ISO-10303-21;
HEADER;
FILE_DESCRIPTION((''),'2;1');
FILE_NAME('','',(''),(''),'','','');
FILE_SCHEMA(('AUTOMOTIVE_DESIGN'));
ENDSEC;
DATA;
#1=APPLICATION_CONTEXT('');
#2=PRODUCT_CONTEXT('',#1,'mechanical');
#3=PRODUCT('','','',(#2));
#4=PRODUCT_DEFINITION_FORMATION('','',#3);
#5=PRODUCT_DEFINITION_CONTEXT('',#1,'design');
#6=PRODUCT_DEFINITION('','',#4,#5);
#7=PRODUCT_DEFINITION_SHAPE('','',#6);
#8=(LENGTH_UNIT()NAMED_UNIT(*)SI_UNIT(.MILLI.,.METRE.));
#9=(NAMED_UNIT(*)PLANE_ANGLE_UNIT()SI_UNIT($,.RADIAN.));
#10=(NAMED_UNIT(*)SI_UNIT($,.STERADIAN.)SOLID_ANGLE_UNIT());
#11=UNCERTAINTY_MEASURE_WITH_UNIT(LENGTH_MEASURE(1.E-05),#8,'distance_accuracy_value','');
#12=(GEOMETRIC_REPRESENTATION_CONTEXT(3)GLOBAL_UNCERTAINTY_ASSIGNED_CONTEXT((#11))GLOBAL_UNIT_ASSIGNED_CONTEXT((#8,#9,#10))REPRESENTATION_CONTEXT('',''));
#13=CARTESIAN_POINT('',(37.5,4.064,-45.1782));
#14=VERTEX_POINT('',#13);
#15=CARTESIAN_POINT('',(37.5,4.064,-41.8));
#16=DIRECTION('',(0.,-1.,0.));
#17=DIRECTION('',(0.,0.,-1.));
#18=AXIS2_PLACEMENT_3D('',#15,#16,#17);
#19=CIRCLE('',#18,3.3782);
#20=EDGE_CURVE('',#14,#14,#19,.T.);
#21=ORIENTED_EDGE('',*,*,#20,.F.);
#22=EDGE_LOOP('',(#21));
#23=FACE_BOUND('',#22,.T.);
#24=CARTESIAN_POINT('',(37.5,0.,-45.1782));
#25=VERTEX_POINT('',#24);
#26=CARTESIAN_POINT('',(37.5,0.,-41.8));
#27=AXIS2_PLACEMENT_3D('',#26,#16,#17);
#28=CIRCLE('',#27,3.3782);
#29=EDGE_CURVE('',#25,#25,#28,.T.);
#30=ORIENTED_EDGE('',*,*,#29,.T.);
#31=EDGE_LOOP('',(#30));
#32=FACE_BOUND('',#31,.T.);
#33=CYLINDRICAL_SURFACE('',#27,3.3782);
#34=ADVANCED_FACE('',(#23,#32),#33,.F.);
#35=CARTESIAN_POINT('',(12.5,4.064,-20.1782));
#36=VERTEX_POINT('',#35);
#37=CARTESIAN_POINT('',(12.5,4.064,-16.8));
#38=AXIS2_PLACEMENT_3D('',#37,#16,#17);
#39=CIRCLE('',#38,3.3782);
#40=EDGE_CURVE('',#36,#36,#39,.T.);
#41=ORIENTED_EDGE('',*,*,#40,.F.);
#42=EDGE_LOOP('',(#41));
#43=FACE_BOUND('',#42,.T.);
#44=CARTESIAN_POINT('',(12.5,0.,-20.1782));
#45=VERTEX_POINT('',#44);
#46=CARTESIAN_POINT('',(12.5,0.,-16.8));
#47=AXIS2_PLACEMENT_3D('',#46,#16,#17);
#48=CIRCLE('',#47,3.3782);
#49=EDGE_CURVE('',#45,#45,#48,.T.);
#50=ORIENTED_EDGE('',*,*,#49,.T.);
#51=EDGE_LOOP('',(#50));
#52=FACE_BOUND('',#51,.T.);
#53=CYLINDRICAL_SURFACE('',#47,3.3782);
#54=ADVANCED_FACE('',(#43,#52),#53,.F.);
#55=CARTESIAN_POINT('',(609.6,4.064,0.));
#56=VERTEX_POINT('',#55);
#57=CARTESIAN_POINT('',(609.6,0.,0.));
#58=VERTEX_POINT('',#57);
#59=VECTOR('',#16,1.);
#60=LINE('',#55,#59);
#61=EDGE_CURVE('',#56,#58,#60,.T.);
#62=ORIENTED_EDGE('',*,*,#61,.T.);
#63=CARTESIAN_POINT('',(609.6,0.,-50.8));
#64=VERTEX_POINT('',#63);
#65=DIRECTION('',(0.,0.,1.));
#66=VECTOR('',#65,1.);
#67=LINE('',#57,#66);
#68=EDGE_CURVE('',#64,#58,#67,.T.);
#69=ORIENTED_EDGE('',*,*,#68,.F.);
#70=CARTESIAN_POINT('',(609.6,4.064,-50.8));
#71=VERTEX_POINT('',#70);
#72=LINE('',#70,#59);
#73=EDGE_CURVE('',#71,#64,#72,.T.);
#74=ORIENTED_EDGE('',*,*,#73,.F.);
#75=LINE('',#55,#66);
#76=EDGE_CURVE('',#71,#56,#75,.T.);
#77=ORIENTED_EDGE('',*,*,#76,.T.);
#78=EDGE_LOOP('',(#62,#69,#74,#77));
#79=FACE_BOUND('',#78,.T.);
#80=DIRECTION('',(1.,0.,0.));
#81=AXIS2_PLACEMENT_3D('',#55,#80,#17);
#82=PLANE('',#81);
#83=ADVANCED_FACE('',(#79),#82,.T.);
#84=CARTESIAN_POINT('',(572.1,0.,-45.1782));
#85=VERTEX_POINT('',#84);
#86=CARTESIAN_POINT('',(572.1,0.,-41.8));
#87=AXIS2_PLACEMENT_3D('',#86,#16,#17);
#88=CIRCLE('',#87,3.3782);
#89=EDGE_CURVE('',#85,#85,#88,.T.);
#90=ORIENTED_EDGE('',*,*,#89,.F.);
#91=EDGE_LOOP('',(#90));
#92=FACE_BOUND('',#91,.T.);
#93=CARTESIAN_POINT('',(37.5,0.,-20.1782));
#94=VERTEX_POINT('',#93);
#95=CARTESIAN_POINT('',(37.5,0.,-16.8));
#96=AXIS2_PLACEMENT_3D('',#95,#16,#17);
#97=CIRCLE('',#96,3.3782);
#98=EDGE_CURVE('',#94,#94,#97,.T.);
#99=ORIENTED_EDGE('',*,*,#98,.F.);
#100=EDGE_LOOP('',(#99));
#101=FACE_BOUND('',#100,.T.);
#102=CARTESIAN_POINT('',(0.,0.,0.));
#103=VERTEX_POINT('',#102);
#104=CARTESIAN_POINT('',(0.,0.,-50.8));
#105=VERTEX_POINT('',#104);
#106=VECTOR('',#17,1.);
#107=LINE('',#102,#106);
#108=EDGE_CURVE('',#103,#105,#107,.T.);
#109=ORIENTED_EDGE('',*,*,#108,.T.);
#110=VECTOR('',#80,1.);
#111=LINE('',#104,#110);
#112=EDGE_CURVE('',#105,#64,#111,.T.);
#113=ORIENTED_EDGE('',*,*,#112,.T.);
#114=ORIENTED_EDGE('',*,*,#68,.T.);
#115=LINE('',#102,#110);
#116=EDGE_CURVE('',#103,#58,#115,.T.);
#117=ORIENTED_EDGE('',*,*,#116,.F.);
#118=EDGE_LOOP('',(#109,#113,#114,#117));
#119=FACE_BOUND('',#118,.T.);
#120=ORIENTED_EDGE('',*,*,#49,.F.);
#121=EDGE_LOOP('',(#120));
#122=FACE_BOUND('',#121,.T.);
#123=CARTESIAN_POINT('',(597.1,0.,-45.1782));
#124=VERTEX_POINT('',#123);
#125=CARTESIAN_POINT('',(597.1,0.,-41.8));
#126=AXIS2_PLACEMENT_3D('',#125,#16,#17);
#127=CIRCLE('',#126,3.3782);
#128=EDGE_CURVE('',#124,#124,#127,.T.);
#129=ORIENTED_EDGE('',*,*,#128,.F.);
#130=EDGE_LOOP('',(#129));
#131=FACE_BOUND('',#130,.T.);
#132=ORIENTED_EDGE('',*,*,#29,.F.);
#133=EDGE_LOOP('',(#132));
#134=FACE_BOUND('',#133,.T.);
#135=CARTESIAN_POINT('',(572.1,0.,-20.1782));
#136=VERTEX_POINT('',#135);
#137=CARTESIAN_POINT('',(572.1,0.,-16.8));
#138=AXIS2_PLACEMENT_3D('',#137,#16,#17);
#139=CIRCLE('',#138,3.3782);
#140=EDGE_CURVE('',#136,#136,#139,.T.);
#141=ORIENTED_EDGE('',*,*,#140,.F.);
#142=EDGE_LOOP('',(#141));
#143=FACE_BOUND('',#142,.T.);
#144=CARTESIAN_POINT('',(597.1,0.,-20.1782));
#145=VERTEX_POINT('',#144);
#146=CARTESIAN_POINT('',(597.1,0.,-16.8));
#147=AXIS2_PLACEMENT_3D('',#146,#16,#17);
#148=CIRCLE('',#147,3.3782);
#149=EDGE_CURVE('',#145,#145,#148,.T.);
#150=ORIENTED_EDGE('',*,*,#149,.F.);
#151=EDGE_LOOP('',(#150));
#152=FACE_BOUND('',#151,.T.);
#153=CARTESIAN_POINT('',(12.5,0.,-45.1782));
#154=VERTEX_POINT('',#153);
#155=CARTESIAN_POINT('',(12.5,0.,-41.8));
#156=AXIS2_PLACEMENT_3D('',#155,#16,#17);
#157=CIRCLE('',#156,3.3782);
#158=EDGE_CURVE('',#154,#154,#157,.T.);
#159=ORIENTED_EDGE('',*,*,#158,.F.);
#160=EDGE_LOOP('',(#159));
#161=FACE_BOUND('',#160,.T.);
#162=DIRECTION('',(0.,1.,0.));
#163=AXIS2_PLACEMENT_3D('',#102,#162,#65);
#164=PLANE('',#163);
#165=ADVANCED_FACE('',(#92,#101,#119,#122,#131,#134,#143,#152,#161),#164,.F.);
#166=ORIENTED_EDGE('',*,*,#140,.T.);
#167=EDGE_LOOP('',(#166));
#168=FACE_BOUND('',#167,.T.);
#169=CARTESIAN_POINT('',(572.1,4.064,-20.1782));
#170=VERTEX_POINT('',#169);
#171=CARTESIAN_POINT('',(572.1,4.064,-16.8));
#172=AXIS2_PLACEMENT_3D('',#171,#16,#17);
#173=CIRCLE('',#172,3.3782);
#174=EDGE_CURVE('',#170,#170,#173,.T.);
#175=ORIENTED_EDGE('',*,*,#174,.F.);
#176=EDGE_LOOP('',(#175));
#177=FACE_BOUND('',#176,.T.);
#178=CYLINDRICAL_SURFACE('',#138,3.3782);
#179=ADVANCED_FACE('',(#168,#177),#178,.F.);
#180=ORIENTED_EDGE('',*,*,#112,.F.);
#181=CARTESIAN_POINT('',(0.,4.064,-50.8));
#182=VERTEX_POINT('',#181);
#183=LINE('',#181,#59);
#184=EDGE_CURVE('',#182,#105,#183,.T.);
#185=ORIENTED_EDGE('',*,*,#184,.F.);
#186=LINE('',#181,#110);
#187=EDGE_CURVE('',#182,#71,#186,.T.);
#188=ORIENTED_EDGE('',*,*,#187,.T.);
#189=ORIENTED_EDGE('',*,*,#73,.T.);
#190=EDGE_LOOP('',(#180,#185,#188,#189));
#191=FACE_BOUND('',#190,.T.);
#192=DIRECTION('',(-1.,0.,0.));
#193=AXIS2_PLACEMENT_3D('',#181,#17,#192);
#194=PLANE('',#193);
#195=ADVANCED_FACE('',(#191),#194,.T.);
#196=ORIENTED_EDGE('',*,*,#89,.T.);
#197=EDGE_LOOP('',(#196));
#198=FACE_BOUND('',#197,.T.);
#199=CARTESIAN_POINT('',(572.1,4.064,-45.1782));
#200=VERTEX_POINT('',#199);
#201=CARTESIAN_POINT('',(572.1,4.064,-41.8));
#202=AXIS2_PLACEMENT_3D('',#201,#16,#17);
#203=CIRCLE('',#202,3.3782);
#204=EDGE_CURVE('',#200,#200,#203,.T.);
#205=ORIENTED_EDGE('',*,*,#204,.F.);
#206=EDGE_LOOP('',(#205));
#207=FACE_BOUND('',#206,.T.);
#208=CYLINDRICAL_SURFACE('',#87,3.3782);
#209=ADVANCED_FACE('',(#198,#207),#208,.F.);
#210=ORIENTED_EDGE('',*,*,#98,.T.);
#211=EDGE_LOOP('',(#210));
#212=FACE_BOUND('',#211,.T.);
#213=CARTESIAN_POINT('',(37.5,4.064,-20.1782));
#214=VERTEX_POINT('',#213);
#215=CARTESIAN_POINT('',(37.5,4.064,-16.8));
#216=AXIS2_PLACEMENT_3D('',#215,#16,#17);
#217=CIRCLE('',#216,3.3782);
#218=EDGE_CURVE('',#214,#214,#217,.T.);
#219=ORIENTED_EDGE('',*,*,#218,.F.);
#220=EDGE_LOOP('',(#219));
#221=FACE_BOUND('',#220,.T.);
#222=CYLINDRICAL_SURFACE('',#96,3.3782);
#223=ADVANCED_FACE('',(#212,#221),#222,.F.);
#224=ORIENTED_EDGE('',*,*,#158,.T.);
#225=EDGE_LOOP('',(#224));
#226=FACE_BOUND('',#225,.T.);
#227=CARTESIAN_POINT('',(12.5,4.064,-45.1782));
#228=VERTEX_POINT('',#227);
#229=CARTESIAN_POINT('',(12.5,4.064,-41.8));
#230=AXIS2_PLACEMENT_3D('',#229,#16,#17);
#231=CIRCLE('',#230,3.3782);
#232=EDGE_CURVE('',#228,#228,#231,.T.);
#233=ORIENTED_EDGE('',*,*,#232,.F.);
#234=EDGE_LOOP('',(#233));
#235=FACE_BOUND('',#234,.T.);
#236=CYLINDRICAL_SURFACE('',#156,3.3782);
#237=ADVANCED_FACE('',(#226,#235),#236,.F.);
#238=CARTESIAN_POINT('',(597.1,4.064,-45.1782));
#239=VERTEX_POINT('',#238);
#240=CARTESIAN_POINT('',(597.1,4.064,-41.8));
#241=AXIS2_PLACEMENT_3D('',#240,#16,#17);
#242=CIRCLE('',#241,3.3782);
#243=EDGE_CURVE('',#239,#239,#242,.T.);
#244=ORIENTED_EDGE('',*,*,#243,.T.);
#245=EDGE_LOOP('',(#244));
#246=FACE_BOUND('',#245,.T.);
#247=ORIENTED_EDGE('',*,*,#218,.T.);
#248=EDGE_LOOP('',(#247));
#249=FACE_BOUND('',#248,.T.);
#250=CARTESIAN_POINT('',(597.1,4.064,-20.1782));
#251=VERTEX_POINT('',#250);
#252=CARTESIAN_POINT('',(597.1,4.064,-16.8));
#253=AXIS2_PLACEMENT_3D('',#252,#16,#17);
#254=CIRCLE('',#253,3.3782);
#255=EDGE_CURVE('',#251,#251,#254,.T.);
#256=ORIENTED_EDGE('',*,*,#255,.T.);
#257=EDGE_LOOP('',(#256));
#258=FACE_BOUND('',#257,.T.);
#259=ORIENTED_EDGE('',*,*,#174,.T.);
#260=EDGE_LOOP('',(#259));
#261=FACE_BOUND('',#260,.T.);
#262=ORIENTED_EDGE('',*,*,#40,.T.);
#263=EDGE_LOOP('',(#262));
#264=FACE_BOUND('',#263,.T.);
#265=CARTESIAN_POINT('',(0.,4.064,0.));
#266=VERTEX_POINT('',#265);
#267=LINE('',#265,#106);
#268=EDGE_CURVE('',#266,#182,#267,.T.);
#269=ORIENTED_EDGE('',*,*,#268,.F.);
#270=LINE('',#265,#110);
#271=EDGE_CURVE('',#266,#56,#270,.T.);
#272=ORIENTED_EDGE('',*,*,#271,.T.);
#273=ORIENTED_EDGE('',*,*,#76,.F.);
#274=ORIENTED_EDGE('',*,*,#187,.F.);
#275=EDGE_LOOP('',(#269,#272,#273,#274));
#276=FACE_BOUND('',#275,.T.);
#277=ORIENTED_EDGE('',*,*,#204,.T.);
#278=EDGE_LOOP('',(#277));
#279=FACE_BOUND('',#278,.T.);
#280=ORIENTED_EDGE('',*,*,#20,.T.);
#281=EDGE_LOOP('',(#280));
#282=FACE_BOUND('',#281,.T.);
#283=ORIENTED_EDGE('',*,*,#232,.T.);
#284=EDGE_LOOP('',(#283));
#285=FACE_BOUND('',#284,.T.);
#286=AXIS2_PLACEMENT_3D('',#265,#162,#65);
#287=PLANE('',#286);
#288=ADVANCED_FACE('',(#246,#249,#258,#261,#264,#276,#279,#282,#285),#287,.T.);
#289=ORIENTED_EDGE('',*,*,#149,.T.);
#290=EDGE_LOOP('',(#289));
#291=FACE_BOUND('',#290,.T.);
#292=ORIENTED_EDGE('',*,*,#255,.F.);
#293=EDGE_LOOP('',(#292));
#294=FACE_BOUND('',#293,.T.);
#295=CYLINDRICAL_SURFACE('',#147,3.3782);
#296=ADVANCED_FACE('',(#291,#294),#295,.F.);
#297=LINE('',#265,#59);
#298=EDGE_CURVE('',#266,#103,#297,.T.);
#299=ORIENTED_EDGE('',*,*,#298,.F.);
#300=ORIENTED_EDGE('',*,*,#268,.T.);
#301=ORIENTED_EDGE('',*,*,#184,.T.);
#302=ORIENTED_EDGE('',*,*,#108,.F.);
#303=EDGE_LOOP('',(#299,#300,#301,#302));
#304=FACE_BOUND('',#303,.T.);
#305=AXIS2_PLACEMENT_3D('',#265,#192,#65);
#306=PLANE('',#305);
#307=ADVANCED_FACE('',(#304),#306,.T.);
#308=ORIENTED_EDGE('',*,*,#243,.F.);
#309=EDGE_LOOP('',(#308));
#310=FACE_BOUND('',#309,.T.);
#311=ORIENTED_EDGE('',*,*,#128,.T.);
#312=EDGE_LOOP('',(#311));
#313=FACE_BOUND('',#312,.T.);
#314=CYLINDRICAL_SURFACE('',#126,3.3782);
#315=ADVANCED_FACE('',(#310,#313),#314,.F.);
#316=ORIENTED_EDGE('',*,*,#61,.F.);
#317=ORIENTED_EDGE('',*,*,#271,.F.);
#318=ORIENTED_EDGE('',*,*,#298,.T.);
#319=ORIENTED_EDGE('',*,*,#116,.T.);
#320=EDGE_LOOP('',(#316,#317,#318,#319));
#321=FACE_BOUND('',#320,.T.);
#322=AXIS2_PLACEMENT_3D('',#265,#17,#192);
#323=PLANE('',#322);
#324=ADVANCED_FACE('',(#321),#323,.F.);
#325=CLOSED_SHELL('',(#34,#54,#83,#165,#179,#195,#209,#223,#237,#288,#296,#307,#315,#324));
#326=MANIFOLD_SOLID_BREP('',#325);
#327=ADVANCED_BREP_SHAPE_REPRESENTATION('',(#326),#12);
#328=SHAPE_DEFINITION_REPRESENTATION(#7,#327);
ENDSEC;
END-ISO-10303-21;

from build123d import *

# Parameters (mm, degrees)
SKETCH1_W               = 609.6
SKETCH1_H               = 43.8
SKETCH1_H_2             = 7
BOSS_EXTRUDE1_DEPTH     = 4.064
F_1_4_CLEARANCE_HOLE1_D = 6.7564


with BuildPart() as part:
    # Sketch1 → Boss-Extrude1 (new body)
    with BuildSketch(Plane(origin=(0, 0, 0), x_dir=(1, 0, 0), z_dir=(0, 1, 0))):
        with Locations((304.8, 28.9)):
            Rectangle(SKETCH1_W, SKETCH1_H)
        with Locations((304.8, 3.5)):
            Rectangle(SKETCH1_W, SKETCH1_H_2)
    extrude(amount=BOSS_EXTRUDE1_DEPTH)

    # 1/4 Clearance Hole1 (through all)
    with Locations(Plane(origin=(0, 0, 0), x_dir=(-1, 0, 0), z_dir=(0, -1, 0))):
        with Locations((-12.5, 41.8), (-37.5, 41.8), (-37.5, 16.8), (-12.5, 16.8), (-572.1, 41.8), (-597.1, 41.8), (-597.1, 16.8), (-572.1, 16.8)):
            Hole(F_1_4_CLEARANCE_HOLE1_D / 2)


solid = part.part
